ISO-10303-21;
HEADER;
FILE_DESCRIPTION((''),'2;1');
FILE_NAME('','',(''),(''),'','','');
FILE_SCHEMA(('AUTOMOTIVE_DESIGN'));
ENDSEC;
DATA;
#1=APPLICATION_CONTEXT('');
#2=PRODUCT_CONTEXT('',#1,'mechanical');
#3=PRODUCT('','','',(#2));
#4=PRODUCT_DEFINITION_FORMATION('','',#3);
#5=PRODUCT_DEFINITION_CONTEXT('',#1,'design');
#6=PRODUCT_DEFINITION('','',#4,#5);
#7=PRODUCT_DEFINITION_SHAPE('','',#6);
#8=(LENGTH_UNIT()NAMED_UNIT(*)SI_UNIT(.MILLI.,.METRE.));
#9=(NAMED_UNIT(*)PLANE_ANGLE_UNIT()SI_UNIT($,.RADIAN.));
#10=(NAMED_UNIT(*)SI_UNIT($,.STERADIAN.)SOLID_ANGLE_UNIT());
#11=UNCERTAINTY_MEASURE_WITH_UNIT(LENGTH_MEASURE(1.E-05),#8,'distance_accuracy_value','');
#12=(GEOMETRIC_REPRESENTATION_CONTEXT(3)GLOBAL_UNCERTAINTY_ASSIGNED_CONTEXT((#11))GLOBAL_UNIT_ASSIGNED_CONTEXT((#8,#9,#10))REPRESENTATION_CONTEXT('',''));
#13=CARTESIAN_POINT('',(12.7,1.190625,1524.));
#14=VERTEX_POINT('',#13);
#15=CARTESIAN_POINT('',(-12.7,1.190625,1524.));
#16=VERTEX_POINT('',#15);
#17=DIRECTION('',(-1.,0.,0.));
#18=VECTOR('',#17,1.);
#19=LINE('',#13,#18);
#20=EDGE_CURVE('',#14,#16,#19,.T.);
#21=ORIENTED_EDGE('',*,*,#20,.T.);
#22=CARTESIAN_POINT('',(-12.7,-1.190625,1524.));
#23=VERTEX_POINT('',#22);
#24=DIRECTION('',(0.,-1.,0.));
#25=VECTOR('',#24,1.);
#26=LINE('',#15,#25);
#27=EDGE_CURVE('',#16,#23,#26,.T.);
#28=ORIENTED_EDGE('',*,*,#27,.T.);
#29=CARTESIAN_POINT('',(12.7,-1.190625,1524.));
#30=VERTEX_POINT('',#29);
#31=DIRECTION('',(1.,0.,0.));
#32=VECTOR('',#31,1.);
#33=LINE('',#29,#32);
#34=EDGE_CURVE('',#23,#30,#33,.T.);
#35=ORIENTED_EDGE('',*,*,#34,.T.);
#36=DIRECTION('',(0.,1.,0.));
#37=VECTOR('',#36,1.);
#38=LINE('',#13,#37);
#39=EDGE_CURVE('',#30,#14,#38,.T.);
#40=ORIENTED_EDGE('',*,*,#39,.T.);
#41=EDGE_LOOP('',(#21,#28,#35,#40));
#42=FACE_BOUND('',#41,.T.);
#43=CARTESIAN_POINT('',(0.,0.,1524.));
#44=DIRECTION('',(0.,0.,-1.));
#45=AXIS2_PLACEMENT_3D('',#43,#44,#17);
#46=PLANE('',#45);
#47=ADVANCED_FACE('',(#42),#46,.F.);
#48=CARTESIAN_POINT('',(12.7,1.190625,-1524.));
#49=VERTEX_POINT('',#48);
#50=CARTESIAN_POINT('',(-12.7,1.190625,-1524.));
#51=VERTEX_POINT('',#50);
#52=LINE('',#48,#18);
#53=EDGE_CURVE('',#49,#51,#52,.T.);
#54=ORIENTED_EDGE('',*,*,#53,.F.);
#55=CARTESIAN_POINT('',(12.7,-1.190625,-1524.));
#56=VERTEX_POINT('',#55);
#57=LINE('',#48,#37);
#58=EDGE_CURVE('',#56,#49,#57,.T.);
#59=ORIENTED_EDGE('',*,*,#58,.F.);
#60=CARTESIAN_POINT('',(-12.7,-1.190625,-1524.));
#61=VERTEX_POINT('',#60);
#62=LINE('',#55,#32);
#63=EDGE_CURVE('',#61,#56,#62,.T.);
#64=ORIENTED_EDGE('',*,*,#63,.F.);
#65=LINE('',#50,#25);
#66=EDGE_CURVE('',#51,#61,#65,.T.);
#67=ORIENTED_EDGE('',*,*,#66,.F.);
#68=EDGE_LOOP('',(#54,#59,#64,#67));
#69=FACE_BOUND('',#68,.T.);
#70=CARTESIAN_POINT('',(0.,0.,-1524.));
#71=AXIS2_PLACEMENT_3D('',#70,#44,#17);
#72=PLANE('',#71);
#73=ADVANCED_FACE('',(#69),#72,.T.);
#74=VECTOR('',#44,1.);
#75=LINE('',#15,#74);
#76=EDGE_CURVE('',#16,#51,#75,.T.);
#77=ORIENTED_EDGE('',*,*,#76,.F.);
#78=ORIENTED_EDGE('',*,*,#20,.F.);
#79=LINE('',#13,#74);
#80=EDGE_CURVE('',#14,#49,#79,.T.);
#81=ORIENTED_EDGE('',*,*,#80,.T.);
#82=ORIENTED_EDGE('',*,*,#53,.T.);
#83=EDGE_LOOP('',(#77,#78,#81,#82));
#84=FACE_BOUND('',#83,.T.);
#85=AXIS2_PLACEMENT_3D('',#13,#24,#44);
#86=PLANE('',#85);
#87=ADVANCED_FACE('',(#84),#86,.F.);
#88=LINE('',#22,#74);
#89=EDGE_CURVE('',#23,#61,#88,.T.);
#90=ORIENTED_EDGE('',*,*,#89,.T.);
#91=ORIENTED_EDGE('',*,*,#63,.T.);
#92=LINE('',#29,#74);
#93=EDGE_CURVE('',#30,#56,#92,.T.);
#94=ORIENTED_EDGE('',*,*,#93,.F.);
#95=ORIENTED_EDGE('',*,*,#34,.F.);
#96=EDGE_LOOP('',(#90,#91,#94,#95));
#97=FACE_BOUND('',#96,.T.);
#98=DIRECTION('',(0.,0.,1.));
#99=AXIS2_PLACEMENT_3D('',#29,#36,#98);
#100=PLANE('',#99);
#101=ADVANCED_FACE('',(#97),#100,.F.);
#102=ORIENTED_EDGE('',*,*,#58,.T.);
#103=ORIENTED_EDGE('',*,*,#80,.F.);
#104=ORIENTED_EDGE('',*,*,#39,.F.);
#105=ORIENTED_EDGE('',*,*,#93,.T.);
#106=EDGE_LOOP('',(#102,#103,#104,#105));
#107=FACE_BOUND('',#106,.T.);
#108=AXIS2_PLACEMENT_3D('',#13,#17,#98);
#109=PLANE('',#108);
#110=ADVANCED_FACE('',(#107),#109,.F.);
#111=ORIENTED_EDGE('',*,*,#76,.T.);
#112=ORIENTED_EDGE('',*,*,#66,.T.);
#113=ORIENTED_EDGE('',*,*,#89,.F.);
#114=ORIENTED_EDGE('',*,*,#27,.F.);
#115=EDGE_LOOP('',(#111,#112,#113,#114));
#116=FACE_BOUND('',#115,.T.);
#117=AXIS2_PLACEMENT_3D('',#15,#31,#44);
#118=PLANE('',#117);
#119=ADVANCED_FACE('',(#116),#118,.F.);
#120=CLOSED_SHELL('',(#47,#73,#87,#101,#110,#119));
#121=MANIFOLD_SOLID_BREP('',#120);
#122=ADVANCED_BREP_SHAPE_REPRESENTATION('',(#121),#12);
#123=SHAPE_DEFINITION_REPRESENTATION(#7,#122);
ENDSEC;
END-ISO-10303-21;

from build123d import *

# Parameters (mm, degrees)
BOSS_EXTRUDE1_DEPTH      = 1524
BOSS_EXTRUDE1_DEPTH_BACK = 1524
SKETCH3_W                = 25.4
SKETCH3_H                = 2.38125


with BuildPart() as part:
    # Sketch3 → Boss-Extrude1 (new, two sides: drawn at the far end of the back side and taken through both)
    with BuildSketch(Plane.XY.offset(-BOSS_EXTRUDE1_DEPTH_BACK)):
        Rectangle(SKETCH3_W, SKETCH3_H)
    extrude(amount=BOSS_EXTRUDE1_DEPTH + BOSS_EXTRUDE1_DEPTH_BACK)


solid = part.part
